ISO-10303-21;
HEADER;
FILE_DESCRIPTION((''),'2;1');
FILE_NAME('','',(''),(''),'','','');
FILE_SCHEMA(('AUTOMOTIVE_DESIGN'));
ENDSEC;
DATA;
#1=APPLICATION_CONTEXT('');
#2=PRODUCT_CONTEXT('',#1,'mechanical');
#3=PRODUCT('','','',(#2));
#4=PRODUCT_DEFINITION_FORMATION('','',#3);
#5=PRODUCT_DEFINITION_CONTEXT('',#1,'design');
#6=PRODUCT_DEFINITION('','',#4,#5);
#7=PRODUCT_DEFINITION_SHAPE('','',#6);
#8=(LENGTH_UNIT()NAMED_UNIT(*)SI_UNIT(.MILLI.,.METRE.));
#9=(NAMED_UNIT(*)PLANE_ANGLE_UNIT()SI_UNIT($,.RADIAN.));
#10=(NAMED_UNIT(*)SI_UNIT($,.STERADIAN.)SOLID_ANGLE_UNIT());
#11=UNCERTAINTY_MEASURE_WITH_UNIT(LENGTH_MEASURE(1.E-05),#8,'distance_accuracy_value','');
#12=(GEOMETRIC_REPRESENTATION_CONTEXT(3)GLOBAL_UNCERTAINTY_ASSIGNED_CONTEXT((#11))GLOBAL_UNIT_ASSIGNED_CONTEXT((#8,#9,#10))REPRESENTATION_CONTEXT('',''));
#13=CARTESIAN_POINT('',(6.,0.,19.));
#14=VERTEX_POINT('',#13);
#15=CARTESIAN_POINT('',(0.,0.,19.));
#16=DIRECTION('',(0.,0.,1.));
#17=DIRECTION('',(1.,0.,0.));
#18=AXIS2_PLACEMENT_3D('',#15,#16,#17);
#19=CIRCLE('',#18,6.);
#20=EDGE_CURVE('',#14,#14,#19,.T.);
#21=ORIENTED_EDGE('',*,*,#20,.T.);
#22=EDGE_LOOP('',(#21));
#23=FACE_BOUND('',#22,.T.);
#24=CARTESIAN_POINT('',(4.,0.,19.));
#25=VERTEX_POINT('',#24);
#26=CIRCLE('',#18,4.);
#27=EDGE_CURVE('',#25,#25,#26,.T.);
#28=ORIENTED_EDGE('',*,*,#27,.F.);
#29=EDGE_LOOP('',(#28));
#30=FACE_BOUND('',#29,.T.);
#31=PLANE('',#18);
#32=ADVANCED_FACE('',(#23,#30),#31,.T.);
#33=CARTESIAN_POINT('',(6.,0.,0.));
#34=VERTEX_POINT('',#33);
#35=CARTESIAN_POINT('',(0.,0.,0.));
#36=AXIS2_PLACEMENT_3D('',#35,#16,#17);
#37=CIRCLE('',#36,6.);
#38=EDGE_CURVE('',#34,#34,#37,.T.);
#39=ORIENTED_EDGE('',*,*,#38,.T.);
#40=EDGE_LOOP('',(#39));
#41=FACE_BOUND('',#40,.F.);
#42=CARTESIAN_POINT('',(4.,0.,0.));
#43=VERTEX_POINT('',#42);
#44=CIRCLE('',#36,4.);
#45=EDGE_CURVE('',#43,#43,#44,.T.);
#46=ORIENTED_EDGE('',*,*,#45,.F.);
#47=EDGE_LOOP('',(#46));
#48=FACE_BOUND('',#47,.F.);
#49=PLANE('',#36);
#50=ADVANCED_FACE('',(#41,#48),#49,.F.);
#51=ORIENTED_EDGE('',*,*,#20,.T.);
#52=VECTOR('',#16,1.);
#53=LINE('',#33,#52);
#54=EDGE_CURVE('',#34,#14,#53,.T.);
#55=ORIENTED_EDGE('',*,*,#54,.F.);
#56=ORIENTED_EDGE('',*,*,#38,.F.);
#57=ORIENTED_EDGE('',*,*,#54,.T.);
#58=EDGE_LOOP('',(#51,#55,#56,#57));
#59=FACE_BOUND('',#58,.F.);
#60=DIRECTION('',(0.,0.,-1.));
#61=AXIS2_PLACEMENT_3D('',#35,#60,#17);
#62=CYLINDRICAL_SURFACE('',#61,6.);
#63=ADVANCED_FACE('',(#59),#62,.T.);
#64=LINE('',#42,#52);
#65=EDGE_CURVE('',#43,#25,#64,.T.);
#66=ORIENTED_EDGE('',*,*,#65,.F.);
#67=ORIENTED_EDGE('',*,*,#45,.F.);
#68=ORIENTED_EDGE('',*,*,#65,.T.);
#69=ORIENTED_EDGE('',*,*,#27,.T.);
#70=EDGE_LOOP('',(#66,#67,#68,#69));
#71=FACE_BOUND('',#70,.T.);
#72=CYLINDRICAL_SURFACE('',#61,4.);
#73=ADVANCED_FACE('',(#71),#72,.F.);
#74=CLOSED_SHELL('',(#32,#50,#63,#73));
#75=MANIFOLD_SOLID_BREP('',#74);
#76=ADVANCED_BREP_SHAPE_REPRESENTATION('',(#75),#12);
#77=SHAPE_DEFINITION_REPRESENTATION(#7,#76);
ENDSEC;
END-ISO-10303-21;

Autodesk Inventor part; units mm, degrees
ref_plane "YZ Plane" through (0, 0, 0) normal (1, 0, 0) x (0, 1, 0)
ref_plane "XZ Plane" through (0, 0, 0) normal (0, 1, 0) x (-1, 0, 0)
ref_plane "XY Plane" through (0, 0, 0) normal (0, 0, 1) x (1, 0, 0)
sketch "Sketch1" plane through (0, 0, 0) normal (0, 0, 1) x (1, 0, 0)
  circle A0 centre (0, 0) radius 4
  circle A1 centre (0, 0) radius 6
  dimension "d0" = 12
  dimension "d1" = 8
extrude "Extrusion1" add sketch "Sketch1" along normal blind 19
properties part number "Zentrier_Distanzhalter"
